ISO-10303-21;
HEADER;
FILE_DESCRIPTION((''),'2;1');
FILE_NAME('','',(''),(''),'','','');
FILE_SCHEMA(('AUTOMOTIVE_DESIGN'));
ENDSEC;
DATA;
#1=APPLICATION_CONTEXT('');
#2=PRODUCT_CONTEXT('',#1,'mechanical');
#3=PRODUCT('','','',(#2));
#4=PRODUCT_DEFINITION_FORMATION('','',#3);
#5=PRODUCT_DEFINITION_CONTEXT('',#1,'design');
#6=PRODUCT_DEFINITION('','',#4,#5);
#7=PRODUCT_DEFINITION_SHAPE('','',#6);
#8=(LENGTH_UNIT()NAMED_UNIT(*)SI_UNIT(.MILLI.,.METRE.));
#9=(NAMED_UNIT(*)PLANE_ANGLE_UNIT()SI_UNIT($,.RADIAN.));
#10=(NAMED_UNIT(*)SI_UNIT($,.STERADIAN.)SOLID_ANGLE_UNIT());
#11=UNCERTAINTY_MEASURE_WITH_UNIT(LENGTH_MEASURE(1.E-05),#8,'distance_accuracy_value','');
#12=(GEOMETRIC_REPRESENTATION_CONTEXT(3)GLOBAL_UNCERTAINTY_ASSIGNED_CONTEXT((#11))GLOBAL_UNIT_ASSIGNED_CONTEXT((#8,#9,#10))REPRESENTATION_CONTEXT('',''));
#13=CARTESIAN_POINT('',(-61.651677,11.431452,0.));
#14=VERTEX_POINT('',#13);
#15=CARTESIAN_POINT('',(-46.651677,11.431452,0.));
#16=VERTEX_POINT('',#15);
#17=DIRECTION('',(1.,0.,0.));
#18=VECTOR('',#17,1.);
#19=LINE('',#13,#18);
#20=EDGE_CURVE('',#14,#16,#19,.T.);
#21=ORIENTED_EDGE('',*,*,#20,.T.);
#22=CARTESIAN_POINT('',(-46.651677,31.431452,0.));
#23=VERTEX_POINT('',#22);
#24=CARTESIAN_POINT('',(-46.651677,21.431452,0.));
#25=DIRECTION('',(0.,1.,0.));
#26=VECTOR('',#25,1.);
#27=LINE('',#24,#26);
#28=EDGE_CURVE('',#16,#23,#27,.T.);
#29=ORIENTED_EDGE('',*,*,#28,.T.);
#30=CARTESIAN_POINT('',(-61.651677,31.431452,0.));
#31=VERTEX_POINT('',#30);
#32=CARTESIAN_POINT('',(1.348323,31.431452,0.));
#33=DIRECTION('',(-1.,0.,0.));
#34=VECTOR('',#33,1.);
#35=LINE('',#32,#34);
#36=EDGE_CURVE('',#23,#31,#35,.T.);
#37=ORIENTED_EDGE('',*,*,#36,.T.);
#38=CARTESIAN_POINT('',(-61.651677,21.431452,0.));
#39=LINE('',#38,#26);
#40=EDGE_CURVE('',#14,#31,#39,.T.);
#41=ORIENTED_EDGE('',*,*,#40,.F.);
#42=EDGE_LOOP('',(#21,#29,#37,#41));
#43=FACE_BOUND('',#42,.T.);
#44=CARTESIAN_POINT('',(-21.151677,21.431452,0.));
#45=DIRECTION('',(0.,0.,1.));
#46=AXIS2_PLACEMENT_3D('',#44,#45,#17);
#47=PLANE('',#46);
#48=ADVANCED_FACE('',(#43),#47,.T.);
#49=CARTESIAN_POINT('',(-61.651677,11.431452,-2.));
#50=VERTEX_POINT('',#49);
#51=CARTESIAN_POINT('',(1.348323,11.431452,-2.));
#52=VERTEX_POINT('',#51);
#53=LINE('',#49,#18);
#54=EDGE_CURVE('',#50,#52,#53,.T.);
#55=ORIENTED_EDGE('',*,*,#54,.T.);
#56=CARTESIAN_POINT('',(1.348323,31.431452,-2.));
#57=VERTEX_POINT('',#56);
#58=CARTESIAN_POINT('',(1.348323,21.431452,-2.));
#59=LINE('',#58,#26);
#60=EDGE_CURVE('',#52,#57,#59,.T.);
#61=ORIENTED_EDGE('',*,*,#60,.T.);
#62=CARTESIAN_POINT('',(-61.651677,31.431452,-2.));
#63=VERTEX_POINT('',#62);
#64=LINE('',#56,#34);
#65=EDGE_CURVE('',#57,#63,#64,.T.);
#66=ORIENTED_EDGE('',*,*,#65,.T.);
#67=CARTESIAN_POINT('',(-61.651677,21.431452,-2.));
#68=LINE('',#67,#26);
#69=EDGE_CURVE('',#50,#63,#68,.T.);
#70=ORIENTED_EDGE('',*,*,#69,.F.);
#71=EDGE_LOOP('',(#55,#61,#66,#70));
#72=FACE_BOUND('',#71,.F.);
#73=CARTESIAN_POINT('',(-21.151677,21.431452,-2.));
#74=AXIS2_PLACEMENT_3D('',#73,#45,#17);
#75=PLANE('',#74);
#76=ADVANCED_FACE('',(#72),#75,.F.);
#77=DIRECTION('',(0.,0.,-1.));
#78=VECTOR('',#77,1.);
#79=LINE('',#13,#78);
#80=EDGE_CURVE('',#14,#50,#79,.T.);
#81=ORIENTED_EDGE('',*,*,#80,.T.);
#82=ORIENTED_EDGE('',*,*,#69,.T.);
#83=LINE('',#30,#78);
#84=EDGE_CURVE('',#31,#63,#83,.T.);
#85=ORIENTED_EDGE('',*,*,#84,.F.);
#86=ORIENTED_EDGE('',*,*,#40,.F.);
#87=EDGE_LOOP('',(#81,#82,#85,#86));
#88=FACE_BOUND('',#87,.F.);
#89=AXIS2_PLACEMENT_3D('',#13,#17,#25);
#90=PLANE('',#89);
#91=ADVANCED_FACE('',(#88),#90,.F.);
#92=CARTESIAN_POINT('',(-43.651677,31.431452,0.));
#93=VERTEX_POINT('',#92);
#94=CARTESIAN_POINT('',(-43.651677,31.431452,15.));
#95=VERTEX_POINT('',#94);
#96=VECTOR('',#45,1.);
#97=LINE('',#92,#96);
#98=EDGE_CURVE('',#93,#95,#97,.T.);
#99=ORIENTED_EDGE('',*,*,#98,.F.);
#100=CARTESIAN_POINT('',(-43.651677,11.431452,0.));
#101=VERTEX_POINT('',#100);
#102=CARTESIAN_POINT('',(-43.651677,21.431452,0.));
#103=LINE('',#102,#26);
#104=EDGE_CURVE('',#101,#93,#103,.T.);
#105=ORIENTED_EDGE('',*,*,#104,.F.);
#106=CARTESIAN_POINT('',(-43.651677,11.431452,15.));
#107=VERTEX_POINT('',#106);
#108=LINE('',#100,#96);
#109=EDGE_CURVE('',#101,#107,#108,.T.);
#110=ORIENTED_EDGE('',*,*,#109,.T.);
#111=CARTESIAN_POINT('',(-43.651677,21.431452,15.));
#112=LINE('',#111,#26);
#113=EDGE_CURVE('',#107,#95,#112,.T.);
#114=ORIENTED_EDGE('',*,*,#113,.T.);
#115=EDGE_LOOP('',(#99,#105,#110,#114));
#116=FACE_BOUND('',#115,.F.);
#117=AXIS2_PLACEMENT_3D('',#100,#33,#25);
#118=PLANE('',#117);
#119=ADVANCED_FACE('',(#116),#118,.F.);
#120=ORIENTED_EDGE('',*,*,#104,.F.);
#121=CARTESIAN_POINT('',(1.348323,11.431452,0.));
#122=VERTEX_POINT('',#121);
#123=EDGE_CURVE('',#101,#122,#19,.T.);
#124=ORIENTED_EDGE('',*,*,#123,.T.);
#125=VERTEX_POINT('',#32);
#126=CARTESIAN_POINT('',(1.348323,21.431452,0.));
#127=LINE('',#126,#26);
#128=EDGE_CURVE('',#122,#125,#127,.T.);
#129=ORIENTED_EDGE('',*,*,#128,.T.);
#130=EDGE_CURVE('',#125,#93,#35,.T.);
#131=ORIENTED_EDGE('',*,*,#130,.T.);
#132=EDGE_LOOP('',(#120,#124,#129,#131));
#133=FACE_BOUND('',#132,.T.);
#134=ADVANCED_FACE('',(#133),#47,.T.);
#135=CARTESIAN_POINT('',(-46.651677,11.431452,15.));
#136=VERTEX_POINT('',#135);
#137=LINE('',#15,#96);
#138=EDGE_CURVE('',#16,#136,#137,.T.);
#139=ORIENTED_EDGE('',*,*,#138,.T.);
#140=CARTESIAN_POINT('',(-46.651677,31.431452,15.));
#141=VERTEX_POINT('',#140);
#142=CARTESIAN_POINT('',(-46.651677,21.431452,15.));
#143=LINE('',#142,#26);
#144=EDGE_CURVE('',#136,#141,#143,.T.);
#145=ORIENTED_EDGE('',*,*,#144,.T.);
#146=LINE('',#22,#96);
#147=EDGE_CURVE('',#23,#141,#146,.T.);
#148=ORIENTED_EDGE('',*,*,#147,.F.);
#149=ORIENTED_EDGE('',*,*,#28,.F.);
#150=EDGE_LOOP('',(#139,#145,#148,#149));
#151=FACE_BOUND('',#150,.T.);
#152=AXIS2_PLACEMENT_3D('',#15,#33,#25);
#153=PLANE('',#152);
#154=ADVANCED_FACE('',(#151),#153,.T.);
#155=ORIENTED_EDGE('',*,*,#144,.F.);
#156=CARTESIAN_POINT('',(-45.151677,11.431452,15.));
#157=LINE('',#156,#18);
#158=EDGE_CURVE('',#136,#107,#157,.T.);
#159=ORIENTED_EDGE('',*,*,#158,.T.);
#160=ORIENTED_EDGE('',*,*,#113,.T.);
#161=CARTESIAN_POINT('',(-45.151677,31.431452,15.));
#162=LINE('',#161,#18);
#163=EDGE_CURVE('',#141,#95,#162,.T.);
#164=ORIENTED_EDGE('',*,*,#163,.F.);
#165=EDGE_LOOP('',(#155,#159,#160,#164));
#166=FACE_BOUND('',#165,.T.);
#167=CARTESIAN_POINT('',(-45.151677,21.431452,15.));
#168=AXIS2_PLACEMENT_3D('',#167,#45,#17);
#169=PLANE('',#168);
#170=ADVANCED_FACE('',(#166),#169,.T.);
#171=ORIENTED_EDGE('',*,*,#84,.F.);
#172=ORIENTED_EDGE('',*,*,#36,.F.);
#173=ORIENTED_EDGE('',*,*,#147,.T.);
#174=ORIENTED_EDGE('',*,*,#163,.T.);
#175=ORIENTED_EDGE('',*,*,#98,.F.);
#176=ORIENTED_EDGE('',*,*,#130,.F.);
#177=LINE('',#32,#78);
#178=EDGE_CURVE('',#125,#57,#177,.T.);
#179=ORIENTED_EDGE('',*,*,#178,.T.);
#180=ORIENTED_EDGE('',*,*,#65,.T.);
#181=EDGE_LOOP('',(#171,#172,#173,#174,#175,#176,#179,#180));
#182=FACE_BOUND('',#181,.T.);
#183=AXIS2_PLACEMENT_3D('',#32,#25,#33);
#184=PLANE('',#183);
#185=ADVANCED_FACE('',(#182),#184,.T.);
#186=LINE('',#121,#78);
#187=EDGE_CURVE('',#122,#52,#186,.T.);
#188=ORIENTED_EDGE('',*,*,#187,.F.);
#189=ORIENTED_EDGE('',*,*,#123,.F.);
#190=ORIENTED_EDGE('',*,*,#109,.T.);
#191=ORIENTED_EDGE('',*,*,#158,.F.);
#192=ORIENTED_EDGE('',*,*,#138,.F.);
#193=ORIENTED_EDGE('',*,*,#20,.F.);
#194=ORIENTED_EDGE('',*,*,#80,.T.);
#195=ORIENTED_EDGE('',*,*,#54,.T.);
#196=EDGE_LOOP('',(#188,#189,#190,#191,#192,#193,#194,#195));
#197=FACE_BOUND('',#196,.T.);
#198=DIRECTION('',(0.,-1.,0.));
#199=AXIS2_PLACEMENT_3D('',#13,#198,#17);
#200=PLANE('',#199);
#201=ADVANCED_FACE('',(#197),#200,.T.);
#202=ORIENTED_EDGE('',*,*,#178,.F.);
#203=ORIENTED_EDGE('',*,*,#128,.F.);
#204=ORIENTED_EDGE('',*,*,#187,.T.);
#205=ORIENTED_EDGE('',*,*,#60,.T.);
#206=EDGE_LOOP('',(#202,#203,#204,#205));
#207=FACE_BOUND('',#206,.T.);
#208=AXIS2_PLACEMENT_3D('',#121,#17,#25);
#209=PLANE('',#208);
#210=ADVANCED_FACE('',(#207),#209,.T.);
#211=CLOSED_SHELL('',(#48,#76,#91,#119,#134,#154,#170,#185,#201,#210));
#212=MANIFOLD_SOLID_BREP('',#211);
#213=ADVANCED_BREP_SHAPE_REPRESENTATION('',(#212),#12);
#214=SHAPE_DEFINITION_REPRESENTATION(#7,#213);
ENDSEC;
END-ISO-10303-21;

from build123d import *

# Parameters (mm, degrees)
F0_W     = 45
F0_H     = 20
F0_W_2   = 3
F0_W_3   = 15
F1_DEPTH = 2
F2_DEPTH = 15


with BuildPart() as f1:
    # F0 (on Top) → F1 (new body)
    with BuildSketch(Plane.XY):
        with Locations((-21.151677, 21.431452)):
            Rectangle(F0_W, F0_H)
        with Locations((-45.151677, 21.431452)):
            Rectangle(F0_W_2, F0_H)
        with Locations((-54.151677, 21.431452)):
            Rectangle(F0_W_3, F0_H)
    extrude(amount=-F1_DEPTH)

    # F0 (on Top) → F2 (join)
    with BuildSketch(Plane.XY):
        with Locations((-45.151677, 21.431452)):
            Rectangle(F0_W_2, F0_H)
    extrude(amount=F2_DEPTH)


solid = f1.part
